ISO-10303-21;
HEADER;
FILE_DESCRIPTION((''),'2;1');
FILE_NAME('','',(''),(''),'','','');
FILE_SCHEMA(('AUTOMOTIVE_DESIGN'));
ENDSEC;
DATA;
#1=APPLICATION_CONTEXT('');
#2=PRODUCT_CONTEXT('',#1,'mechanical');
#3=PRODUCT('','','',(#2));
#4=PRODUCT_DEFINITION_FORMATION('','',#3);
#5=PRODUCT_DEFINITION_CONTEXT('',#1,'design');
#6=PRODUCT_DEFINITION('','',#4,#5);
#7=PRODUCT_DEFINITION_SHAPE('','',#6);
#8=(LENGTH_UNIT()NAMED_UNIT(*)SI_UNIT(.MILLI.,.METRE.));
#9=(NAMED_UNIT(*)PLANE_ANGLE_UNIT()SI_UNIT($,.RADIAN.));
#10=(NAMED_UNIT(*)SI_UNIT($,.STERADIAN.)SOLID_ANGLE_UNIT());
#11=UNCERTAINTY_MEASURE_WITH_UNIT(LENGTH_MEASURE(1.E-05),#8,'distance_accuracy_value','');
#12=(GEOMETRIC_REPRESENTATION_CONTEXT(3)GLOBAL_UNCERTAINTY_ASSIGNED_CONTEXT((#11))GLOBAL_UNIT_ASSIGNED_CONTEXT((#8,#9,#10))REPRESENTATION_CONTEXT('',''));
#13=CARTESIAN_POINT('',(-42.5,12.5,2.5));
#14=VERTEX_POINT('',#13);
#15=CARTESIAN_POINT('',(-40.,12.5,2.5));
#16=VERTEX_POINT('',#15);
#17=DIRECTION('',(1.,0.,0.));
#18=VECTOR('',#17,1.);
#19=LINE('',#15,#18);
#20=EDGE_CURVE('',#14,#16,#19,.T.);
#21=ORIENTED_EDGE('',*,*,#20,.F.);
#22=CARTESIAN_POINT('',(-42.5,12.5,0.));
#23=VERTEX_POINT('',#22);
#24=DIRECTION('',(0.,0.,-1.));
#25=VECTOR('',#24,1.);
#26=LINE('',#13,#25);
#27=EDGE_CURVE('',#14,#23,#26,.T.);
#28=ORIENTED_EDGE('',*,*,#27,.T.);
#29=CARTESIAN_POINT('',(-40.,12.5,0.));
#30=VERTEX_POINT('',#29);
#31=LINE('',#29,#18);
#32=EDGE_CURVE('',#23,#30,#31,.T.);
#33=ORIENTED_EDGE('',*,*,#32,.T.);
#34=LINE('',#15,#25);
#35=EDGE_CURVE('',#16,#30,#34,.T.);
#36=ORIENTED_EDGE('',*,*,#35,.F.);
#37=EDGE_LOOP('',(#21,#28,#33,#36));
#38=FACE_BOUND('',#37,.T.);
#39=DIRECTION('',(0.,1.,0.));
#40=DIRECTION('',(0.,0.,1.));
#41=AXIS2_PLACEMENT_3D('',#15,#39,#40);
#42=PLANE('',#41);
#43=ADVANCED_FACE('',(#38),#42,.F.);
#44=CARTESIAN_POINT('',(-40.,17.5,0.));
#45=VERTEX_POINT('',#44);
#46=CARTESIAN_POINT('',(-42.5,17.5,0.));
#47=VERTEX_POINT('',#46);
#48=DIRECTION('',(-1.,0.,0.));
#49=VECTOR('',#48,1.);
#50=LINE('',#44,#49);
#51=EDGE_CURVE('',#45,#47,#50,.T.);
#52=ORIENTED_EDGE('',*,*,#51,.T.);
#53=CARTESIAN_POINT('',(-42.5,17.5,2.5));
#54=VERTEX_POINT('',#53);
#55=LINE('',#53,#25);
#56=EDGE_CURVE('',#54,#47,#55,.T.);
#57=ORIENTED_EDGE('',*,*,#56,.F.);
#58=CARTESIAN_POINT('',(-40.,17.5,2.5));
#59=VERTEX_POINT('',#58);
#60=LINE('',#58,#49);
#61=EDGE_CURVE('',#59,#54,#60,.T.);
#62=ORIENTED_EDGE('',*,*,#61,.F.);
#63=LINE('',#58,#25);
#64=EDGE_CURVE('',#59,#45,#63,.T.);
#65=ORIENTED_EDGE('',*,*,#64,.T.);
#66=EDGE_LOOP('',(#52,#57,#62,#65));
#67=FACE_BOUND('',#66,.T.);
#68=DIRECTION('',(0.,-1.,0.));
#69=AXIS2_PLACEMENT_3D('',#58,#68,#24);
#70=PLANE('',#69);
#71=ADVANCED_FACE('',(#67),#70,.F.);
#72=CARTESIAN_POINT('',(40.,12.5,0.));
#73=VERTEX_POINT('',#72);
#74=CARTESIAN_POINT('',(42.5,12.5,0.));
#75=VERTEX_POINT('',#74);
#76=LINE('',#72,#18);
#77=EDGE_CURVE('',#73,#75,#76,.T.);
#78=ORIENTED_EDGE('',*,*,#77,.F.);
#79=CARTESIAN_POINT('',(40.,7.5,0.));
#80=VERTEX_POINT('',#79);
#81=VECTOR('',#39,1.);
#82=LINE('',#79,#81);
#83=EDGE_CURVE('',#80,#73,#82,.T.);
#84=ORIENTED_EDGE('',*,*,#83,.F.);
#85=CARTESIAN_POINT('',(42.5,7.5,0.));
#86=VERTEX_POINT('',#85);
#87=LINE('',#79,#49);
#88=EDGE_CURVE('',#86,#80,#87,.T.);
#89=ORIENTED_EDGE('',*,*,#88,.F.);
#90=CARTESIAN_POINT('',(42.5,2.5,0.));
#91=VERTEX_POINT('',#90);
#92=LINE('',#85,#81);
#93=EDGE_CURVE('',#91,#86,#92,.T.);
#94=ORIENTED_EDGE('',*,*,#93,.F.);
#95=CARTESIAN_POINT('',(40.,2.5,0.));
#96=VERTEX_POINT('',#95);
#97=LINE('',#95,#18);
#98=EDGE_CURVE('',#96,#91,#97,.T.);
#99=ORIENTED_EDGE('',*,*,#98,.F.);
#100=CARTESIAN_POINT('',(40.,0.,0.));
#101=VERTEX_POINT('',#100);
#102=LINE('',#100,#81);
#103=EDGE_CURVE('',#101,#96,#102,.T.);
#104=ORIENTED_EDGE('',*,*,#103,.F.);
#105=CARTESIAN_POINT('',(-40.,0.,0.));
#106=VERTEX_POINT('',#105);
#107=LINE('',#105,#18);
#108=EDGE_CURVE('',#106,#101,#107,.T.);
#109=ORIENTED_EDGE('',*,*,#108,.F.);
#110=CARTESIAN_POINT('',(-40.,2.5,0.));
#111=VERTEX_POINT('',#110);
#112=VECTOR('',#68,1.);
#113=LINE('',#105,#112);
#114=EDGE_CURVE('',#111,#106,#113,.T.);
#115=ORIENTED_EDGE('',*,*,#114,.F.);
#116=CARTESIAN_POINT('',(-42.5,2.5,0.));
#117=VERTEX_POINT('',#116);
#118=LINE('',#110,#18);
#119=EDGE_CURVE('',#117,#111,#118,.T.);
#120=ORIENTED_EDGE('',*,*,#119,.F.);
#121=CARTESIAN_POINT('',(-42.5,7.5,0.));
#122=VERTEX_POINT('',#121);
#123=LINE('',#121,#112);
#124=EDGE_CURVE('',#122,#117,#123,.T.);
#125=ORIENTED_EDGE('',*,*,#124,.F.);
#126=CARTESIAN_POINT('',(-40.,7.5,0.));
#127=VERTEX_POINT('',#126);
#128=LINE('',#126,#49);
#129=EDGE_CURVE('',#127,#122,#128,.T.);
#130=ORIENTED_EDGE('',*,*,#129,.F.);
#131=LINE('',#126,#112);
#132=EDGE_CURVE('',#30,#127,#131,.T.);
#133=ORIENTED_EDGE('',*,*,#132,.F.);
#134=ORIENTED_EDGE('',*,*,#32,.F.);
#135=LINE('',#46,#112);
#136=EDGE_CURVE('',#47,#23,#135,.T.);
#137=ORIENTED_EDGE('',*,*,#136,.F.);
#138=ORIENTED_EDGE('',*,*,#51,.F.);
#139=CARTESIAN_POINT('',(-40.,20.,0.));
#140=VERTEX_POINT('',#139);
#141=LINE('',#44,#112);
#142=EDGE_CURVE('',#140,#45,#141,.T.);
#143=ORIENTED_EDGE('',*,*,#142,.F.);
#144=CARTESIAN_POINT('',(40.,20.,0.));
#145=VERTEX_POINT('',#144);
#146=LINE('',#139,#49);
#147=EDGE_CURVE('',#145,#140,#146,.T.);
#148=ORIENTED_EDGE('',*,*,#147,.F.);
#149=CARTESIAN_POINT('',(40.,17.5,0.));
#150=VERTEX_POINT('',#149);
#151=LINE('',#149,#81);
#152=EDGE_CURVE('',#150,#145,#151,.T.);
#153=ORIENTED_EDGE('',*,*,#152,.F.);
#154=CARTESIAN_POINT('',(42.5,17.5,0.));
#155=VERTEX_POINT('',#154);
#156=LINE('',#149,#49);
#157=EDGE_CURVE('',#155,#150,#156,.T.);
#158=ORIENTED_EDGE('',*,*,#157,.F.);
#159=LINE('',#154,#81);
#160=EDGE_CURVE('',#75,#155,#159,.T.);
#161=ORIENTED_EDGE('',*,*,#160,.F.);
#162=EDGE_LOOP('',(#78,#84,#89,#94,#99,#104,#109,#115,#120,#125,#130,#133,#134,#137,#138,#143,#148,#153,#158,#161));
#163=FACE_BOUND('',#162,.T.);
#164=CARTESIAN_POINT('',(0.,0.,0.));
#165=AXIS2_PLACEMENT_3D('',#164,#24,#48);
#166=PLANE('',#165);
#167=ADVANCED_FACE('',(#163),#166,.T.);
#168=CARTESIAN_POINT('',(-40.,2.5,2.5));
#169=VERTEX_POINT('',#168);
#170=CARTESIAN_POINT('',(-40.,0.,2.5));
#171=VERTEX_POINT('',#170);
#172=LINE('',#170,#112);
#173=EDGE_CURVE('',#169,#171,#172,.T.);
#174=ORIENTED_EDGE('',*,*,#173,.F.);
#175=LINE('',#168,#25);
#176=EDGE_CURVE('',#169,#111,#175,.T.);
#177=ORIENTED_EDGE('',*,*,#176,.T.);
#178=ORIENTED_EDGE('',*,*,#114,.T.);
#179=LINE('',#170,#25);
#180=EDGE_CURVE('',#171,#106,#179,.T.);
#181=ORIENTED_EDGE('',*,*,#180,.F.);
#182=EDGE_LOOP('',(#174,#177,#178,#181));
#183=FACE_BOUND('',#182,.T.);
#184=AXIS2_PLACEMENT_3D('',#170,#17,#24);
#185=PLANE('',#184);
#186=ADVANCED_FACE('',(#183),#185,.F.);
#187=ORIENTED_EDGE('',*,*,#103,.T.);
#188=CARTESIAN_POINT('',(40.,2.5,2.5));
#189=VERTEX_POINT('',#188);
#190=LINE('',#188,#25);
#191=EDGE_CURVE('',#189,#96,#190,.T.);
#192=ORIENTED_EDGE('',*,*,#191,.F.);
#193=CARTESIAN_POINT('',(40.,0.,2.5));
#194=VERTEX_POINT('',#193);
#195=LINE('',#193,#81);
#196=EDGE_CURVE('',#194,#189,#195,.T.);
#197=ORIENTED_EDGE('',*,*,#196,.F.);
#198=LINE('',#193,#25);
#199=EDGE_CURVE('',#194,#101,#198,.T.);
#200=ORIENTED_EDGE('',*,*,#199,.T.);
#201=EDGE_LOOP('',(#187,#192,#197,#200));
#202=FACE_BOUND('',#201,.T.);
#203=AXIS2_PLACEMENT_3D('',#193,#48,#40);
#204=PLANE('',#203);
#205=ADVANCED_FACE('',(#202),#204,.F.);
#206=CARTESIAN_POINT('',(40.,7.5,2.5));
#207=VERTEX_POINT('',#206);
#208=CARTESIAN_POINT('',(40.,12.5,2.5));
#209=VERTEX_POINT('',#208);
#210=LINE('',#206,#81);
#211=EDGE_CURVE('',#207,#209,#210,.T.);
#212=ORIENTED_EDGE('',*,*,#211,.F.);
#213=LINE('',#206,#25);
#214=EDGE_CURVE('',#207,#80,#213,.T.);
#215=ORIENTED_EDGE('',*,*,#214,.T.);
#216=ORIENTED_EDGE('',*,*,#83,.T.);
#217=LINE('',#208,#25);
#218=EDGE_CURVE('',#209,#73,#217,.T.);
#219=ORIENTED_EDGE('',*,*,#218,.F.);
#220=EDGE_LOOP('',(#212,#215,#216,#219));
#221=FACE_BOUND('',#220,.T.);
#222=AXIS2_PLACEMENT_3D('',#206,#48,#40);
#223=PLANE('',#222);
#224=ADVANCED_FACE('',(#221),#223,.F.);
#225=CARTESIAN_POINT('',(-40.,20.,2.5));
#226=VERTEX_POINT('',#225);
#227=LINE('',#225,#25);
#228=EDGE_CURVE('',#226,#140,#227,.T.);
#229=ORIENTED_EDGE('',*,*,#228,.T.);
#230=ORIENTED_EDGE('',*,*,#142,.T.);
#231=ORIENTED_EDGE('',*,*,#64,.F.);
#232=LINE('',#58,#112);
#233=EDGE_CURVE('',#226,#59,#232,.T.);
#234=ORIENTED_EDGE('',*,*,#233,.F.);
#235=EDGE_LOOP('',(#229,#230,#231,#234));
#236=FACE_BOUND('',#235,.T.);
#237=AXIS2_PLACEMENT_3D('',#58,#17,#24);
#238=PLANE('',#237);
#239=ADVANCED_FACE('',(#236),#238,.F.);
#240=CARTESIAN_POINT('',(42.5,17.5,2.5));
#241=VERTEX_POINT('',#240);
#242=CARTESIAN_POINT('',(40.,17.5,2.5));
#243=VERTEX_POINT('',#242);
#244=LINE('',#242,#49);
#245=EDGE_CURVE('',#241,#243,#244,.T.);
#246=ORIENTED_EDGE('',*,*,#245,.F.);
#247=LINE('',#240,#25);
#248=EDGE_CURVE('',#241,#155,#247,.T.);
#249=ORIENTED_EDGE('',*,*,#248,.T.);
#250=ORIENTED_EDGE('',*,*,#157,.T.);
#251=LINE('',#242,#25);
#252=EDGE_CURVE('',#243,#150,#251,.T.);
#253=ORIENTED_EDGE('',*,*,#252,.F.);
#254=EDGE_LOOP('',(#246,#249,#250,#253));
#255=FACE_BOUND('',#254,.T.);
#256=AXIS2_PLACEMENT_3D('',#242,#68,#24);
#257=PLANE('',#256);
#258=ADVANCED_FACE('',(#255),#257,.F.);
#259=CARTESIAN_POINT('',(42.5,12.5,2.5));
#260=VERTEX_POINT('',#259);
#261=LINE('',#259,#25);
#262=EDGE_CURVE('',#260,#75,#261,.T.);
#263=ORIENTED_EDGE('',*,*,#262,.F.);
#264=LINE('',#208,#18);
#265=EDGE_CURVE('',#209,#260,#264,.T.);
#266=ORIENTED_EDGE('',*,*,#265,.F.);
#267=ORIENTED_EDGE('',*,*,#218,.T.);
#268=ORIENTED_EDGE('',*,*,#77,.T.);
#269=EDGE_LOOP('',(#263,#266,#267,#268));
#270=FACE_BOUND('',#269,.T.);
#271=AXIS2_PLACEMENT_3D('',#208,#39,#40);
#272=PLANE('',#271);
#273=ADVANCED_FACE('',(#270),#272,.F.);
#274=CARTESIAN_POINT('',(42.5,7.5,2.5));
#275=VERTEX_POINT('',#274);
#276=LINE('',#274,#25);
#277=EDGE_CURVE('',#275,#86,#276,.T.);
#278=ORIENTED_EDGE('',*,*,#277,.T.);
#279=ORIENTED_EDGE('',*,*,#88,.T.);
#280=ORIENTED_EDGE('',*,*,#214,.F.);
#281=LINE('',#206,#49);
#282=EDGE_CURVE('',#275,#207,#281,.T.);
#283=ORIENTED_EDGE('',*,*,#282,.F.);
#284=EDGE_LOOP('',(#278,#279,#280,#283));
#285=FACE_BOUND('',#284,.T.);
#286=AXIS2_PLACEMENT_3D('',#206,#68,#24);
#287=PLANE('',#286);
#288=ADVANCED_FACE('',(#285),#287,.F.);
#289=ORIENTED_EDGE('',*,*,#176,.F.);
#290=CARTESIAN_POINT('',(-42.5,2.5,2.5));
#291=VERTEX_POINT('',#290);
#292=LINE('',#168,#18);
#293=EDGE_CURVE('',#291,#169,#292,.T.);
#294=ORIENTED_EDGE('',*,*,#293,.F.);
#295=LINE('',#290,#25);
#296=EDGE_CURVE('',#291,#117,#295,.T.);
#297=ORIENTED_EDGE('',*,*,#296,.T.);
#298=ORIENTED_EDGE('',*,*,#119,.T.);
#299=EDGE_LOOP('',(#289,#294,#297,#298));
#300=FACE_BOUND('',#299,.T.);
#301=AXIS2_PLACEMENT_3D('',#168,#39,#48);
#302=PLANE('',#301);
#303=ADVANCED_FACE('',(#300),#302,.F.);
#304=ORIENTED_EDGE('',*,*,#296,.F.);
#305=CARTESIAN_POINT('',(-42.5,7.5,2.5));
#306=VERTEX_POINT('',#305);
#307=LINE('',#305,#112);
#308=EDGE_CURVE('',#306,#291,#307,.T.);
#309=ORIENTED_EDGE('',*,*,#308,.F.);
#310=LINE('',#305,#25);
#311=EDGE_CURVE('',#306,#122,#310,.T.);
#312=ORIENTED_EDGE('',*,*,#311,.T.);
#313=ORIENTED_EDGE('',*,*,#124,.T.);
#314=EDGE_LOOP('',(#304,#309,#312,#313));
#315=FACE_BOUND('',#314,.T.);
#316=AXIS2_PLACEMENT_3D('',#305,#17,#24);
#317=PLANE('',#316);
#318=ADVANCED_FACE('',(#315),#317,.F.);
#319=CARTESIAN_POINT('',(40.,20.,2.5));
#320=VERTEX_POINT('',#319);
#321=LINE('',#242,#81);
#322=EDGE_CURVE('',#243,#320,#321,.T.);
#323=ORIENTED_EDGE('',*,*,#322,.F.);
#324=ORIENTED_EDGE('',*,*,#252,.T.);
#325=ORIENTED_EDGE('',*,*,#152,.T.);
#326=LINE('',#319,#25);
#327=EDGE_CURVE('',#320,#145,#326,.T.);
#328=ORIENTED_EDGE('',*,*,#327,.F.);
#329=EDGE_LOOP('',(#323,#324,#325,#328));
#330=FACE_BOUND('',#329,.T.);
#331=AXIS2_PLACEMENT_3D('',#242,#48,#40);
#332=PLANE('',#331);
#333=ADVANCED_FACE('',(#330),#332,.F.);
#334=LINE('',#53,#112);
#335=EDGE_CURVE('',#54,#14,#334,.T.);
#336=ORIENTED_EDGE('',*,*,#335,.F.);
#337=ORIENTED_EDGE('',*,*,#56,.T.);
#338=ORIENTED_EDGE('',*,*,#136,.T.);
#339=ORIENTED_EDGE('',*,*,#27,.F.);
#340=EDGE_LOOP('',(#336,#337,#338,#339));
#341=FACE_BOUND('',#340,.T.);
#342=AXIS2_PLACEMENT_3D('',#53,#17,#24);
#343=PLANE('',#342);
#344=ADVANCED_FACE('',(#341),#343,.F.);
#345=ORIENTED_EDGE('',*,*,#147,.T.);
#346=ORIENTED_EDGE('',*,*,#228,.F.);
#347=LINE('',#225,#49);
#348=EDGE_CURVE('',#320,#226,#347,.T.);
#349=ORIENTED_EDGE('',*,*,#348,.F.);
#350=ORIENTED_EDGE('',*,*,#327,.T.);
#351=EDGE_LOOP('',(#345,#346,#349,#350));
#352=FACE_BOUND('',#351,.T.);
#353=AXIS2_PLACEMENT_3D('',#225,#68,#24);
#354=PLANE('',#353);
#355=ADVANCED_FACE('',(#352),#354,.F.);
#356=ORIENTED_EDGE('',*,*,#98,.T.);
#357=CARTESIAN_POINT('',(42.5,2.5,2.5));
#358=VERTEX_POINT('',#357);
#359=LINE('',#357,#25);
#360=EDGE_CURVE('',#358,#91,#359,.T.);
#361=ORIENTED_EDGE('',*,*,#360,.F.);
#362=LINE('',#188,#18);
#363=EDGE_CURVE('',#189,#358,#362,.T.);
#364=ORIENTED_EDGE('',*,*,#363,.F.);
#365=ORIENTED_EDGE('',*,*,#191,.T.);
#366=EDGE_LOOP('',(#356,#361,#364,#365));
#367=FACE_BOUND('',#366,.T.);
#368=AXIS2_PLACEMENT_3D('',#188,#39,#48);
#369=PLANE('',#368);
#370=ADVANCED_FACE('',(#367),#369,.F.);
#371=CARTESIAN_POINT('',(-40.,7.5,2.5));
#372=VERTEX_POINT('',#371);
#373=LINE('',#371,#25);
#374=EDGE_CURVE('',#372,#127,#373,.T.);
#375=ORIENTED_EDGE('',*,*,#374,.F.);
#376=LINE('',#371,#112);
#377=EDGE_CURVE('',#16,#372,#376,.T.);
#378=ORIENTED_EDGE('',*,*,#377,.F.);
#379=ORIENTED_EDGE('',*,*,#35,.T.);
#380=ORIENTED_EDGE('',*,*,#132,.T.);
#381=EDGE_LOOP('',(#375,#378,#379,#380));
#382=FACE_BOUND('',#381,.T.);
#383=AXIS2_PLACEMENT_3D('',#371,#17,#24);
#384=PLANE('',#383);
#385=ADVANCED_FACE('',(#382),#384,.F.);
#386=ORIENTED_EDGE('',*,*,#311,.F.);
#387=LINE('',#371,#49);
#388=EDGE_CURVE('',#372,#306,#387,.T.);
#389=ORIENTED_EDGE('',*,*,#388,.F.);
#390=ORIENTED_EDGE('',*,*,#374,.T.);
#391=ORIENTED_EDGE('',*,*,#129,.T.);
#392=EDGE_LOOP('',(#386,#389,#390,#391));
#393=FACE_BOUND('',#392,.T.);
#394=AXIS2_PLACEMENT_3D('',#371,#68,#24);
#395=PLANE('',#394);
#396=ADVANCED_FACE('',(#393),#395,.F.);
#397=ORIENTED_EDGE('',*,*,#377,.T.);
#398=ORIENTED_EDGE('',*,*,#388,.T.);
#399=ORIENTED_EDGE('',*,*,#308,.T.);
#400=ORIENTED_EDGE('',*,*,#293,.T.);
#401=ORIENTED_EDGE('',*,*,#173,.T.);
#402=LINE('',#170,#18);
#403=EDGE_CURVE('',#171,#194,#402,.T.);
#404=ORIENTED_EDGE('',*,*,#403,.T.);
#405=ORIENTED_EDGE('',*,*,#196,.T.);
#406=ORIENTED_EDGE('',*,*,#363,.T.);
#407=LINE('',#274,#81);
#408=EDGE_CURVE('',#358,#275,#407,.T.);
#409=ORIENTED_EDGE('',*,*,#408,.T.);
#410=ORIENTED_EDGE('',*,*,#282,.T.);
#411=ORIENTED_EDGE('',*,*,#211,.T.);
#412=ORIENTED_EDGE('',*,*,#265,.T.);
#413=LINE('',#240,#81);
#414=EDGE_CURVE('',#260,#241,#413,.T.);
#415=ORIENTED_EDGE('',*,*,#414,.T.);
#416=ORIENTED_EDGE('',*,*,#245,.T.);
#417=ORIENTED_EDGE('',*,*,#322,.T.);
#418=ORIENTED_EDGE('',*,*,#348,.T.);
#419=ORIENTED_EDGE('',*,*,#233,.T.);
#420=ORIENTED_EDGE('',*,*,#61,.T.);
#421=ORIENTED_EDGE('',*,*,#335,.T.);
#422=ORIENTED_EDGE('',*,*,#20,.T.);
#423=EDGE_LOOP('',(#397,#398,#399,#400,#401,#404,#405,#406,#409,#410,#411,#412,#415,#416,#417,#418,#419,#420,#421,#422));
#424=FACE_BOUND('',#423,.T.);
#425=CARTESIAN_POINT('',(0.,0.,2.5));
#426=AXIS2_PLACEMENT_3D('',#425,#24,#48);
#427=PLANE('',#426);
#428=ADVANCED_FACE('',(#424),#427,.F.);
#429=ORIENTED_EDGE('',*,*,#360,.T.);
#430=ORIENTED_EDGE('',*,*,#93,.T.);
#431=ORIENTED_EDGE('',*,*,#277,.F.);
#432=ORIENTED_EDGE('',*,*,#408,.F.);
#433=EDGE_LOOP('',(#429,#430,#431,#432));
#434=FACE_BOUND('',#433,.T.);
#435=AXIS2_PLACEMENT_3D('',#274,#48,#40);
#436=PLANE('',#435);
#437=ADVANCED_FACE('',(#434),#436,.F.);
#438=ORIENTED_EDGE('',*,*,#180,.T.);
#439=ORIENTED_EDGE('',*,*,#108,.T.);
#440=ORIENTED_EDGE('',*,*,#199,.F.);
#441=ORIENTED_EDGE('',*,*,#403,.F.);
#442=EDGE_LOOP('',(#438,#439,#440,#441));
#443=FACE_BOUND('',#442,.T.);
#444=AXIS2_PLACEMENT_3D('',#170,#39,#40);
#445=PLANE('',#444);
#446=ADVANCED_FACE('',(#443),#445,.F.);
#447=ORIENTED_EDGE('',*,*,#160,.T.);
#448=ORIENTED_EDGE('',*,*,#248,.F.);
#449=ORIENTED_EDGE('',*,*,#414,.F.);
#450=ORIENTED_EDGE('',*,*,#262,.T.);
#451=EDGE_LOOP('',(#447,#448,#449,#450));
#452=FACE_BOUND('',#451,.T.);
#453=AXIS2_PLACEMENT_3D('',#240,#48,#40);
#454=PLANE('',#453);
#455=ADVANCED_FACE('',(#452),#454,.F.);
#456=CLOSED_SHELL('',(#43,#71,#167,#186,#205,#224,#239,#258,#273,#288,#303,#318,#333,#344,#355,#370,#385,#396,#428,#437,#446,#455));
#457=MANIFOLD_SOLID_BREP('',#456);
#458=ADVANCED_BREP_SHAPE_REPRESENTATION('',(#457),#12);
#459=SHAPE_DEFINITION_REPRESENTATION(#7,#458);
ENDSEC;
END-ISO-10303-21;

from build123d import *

# Parameters (mm, degrees)
BOSS_EXTRUDE1_DEPTH = 2.5


with BuildPart() as part:
    # Sketch1 → Boss-Extrude1 (new body)
    with BuildSketch(Plane.XY):
        Polygon((-40, 0), (40, 0), (40, 2.5), (42.5, 2.5), (42.5, 7.5), (40, 7.5), (40, 12.5), (42.5, 12.5), (42.5, 17.5), (40, 17.5), (40, 20), (-40, 20), (-40, 17.5), (-42.5, 17.5), (-42.5, 12.5), (-40, 12.5), (-40, 7.5), (-42.5, 7.5), (-42.5, 2.5), (-40, 2.5), align=None)
    extrude(amount=BOSS_EXTRUDE1_DEPTH)


solid = part.part
